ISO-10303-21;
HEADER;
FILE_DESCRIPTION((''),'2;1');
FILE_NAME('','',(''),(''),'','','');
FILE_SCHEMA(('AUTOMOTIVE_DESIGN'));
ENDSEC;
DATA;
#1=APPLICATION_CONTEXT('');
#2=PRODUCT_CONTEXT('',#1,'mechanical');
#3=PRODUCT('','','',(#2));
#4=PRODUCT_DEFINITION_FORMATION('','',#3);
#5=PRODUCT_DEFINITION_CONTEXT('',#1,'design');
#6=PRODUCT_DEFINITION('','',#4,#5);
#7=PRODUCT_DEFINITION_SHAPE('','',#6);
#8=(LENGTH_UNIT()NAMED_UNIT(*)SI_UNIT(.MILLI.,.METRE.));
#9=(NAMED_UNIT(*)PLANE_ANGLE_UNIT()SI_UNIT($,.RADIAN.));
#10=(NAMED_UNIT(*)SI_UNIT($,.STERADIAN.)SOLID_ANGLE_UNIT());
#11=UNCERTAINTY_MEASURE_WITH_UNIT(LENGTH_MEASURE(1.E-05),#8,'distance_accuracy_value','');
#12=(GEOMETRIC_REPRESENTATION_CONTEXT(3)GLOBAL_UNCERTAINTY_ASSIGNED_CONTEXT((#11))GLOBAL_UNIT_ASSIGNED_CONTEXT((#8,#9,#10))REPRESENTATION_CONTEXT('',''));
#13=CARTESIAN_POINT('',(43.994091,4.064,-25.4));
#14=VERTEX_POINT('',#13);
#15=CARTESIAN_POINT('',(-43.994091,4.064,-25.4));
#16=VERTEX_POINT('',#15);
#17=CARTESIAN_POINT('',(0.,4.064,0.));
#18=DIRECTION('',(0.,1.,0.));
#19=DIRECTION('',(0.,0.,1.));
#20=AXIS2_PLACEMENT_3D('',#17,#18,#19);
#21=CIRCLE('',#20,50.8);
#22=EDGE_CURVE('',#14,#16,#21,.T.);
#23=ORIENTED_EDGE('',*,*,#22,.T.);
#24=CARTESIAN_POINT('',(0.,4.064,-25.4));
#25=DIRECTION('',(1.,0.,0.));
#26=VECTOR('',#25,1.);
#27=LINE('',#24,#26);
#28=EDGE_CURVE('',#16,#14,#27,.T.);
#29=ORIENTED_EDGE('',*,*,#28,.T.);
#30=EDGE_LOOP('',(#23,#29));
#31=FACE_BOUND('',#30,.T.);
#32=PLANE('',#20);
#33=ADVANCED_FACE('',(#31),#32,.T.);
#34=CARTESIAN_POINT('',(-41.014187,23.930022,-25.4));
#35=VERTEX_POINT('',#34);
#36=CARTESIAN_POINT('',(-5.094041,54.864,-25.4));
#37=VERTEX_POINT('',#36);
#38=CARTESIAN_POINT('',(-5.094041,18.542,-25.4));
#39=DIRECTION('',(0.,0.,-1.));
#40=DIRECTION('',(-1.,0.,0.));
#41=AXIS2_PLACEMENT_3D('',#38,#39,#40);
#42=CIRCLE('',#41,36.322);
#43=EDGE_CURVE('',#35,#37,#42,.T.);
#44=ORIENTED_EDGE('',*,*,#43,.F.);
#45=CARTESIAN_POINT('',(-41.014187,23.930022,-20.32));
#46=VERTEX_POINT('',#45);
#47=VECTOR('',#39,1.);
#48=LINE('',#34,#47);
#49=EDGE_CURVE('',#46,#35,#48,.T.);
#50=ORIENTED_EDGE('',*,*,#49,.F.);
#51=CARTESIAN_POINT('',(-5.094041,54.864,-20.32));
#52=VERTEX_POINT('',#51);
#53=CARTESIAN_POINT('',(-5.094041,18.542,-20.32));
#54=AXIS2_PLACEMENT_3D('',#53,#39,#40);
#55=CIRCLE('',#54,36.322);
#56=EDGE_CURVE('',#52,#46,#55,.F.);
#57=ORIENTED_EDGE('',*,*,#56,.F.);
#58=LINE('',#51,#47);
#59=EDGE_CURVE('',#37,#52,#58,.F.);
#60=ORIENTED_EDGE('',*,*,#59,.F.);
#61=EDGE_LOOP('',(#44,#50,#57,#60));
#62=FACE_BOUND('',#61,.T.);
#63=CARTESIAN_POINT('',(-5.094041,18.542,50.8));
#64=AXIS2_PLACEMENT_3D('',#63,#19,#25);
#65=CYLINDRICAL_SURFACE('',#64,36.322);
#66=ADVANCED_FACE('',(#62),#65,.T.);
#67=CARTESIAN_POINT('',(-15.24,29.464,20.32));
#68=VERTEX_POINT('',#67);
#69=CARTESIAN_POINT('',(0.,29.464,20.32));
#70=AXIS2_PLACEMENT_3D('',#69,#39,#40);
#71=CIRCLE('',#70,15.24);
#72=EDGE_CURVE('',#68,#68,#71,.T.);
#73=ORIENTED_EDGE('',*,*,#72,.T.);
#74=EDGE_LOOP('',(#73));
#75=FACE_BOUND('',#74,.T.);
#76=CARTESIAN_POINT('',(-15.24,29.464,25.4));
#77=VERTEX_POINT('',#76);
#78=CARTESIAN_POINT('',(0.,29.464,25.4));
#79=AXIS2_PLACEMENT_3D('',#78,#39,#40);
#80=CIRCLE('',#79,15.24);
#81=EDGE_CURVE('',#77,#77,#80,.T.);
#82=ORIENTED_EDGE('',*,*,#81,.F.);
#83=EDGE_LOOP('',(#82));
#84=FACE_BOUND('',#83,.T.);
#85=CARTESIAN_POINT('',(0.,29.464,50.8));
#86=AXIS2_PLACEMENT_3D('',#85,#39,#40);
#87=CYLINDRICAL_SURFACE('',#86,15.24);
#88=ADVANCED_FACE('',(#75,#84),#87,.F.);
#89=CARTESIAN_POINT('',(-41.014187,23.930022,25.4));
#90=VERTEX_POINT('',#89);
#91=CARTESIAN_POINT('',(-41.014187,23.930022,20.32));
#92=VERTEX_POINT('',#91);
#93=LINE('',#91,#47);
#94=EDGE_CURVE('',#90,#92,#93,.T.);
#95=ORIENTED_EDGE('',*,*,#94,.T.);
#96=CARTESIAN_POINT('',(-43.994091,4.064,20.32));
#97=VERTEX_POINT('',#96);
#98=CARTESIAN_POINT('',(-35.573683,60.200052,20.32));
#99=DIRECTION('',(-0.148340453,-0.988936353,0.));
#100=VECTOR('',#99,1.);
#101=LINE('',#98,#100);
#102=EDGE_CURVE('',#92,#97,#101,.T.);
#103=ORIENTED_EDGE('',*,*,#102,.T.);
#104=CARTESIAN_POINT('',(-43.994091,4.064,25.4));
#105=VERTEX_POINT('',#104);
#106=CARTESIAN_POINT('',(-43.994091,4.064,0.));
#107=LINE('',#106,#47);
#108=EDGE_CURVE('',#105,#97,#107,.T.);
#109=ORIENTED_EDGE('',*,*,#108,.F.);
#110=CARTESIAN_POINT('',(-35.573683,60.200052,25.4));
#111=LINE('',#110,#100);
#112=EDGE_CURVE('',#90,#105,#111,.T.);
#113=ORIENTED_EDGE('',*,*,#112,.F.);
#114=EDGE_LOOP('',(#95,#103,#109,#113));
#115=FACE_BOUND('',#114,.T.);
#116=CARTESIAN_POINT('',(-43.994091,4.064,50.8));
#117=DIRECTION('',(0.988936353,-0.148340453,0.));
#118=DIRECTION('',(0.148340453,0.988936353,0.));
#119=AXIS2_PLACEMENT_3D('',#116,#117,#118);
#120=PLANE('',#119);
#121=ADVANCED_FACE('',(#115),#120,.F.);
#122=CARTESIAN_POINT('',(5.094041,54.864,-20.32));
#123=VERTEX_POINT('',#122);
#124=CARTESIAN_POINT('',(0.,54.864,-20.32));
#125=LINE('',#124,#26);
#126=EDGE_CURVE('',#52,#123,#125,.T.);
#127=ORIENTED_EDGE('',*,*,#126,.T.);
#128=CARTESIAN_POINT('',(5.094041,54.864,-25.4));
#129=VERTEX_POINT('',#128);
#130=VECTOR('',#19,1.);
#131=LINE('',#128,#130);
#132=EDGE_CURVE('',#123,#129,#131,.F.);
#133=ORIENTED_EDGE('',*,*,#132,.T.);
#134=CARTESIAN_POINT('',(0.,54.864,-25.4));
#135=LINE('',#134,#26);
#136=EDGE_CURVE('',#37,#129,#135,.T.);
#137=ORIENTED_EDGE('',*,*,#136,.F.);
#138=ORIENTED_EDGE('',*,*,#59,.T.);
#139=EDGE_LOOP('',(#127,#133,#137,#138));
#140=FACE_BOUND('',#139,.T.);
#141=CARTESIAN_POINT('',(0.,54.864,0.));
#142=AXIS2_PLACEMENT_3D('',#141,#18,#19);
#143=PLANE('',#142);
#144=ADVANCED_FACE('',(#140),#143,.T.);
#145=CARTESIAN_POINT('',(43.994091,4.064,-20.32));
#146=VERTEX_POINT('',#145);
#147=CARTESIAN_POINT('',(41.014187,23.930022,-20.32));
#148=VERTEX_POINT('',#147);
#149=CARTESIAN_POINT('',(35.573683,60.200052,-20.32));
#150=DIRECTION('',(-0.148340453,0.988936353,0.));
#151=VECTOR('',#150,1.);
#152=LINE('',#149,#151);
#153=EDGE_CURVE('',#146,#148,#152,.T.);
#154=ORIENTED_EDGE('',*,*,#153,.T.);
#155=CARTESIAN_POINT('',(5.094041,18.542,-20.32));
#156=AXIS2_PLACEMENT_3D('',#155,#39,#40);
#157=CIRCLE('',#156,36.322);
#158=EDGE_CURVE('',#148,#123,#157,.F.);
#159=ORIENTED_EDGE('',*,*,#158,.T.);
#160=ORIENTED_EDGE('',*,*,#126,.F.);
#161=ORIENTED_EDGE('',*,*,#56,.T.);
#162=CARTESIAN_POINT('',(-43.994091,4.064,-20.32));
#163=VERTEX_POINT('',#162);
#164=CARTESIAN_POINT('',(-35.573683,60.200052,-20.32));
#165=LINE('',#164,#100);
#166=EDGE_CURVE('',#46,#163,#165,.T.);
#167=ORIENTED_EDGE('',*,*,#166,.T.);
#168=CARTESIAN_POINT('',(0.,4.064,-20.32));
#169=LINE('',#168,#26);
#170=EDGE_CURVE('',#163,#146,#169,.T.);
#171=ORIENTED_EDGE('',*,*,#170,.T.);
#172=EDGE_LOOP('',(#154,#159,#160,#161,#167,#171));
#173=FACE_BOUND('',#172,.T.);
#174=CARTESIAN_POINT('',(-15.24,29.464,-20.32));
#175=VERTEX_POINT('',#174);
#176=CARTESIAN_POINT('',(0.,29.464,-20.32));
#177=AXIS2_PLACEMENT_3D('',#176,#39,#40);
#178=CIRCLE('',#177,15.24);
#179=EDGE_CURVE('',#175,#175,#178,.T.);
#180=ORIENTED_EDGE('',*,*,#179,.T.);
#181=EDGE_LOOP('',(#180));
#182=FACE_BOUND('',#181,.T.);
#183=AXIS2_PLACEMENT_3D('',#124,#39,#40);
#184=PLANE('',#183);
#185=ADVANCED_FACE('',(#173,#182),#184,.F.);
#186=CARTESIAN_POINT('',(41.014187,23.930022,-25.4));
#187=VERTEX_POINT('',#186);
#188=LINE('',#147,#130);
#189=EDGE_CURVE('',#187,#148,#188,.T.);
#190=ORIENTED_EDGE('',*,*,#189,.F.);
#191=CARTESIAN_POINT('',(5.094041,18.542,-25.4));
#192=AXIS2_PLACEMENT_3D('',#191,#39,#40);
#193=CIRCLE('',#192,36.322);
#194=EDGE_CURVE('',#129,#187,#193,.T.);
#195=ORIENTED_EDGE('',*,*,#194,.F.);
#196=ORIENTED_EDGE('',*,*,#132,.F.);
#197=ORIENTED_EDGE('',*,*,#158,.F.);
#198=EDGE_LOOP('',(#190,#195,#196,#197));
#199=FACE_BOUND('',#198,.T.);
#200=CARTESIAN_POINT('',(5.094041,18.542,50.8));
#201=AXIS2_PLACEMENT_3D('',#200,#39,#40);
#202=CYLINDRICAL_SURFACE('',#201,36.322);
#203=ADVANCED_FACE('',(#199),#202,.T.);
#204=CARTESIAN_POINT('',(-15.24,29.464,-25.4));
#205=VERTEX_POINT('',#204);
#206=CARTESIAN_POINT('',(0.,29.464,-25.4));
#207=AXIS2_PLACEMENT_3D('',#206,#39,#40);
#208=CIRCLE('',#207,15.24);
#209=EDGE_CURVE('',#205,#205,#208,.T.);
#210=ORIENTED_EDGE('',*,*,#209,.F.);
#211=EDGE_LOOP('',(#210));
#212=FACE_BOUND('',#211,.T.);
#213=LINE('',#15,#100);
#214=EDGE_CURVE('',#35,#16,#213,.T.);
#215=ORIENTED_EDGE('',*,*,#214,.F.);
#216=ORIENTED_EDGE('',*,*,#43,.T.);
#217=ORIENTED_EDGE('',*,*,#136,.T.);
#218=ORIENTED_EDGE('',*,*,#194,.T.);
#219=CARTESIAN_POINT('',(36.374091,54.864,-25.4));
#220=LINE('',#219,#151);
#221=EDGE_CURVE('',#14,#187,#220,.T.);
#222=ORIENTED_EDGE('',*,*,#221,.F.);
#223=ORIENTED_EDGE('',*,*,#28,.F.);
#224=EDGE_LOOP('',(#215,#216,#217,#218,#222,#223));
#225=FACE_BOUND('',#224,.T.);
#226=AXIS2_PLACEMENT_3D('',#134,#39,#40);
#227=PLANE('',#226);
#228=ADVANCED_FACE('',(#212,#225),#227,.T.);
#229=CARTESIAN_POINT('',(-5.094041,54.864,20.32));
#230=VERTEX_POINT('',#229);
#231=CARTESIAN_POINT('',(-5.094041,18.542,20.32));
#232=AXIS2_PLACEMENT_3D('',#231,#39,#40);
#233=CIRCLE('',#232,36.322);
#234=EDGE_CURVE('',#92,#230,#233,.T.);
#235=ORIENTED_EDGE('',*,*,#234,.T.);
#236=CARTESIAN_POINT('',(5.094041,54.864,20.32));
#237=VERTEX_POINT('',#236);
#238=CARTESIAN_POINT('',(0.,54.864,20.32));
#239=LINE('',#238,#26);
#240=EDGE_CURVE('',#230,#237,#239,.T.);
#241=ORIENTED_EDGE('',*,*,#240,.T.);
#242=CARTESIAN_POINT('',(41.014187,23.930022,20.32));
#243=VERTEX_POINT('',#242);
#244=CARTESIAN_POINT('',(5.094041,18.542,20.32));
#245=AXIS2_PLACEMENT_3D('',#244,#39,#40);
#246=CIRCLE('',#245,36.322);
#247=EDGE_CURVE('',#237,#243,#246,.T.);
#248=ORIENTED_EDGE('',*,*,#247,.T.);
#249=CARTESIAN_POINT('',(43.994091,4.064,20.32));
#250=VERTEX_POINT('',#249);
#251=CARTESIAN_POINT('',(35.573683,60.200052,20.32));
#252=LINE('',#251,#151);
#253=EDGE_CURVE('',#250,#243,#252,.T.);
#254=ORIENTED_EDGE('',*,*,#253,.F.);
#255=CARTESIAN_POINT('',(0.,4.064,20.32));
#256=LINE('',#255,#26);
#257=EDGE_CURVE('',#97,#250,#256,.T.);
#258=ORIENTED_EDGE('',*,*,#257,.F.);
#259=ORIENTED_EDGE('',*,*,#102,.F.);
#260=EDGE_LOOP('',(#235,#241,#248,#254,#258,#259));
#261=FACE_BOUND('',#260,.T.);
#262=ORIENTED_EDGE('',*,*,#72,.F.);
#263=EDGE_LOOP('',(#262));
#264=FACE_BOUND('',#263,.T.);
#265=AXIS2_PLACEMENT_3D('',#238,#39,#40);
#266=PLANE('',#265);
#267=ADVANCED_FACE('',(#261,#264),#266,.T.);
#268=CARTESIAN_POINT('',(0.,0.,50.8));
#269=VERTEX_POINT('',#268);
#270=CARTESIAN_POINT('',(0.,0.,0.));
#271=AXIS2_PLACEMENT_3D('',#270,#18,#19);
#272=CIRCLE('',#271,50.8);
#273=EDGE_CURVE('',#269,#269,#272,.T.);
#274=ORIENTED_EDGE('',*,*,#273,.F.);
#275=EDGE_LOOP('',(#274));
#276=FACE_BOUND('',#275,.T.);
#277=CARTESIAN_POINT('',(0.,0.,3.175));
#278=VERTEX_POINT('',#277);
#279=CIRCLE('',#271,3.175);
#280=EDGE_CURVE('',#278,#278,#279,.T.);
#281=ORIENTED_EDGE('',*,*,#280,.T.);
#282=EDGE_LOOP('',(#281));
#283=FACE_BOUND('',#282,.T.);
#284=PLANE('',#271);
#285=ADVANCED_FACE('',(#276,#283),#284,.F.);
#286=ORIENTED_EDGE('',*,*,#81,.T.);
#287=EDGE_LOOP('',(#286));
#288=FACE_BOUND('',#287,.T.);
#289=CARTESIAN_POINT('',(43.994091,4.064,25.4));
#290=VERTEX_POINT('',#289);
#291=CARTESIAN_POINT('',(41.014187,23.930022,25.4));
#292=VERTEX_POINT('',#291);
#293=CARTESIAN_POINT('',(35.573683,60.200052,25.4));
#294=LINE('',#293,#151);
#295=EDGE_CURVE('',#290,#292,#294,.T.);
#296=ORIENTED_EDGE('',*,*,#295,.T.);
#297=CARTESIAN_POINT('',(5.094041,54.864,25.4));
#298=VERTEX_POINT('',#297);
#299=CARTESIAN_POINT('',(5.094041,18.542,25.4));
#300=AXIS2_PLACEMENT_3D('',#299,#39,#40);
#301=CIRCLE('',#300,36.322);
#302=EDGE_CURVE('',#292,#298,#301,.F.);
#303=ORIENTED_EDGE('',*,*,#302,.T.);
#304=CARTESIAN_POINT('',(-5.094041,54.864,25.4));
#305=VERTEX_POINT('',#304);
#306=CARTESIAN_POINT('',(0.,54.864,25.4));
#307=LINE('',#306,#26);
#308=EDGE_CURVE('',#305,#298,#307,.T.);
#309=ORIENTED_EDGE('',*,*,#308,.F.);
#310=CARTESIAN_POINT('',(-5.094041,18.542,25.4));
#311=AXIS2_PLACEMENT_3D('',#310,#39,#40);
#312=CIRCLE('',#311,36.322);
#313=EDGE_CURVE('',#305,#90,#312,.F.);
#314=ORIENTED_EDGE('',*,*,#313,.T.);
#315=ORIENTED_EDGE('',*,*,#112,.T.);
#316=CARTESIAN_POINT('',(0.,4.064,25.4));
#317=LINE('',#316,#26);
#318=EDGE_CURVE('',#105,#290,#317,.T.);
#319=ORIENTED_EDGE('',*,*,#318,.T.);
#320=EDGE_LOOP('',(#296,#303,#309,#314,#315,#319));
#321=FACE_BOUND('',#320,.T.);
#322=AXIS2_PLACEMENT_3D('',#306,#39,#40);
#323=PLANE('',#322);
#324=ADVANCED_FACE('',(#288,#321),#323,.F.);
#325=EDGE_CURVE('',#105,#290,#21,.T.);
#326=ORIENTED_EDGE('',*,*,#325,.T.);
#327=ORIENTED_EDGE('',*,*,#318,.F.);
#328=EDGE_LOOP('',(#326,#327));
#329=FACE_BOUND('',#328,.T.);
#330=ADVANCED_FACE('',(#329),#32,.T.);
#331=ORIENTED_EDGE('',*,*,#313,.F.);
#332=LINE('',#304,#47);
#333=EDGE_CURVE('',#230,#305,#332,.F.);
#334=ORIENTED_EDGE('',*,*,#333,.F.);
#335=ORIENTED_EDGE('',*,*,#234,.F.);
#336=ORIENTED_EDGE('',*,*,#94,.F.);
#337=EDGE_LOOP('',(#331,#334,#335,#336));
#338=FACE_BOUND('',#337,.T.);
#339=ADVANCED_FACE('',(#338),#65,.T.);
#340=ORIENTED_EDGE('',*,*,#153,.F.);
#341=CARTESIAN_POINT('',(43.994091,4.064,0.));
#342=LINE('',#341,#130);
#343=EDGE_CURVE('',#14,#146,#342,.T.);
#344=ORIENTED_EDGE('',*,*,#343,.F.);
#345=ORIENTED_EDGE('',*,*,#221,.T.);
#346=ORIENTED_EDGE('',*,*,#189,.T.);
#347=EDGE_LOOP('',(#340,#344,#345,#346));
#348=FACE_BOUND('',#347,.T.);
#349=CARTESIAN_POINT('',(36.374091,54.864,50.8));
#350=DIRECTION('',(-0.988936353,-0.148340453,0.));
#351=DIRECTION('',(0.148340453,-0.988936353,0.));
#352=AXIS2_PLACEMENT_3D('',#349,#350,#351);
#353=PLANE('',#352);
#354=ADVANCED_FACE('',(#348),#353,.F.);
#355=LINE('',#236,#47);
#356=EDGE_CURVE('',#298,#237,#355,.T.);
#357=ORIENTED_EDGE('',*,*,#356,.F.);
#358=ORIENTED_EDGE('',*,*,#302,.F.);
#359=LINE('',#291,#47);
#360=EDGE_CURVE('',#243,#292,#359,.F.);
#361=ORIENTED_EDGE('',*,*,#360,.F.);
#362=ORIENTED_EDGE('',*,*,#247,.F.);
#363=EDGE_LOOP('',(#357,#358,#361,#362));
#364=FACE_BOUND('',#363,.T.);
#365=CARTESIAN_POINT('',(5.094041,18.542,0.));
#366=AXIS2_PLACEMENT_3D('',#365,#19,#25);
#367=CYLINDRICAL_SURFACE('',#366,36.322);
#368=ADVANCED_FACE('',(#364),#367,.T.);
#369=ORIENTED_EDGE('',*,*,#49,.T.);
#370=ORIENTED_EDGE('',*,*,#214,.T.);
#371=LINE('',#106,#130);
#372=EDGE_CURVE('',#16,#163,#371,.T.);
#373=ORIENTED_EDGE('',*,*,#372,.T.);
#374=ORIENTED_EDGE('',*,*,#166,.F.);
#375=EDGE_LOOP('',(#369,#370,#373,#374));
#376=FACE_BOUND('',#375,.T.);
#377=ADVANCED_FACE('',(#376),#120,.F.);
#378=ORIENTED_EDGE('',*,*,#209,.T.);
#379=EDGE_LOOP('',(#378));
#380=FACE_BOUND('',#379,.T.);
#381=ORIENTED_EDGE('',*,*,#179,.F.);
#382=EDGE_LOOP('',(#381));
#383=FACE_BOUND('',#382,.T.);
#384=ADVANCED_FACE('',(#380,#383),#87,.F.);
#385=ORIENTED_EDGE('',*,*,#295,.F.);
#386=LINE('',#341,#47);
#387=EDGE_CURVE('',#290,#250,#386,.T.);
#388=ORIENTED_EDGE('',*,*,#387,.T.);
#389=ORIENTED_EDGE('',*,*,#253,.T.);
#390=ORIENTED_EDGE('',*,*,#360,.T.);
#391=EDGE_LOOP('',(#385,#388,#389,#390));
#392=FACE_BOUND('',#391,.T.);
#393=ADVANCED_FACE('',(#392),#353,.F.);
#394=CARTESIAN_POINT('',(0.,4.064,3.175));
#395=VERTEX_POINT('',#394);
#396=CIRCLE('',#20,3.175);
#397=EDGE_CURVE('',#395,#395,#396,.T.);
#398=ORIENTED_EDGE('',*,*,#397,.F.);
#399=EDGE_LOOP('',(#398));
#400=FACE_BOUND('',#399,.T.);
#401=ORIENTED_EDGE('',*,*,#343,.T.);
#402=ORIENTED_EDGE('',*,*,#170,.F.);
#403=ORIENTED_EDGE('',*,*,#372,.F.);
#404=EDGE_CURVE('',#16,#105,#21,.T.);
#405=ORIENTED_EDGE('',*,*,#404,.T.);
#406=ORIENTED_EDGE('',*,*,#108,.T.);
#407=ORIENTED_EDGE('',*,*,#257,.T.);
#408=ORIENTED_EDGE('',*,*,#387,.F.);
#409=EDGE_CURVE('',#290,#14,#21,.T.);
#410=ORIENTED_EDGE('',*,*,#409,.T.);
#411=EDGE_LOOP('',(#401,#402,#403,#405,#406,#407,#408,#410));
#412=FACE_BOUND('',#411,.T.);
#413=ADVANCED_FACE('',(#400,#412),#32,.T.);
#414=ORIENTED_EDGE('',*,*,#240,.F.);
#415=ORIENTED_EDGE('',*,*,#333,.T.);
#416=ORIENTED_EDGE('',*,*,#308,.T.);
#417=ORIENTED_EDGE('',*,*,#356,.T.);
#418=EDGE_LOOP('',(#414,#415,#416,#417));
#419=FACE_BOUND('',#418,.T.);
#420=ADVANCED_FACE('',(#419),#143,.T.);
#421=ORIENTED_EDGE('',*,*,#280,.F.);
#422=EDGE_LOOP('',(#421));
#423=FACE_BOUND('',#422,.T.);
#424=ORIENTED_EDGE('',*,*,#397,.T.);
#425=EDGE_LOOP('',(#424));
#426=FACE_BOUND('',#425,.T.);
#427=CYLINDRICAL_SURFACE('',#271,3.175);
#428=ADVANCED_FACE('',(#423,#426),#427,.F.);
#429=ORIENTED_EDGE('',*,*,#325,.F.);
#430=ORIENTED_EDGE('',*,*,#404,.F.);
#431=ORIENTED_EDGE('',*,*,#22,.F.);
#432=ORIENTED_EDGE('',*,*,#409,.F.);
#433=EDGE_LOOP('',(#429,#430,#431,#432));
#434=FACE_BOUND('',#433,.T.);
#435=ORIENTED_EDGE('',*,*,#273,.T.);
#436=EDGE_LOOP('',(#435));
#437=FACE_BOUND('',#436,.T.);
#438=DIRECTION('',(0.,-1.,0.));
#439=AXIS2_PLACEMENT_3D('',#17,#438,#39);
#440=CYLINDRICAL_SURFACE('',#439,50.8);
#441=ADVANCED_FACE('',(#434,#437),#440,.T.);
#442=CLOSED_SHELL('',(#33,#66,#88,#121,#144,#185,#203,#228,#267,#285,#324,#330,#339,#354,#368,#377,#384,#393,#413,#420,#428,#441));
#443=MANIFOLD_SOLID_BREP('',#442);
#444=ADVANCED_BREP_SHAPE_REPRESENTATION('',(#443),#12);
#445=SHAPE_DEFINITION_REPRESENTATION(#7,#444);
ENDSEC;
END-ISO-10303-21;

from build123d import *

# Parameters (mm, degrees)
SKETCH2_R           = 50.8
BOSS_EXTRUDE1_DEPTH = 4.064
SKETCH3_W           = 87.988181024
SKETCH3_H           = 5.08
BOSS_EXTRUDE2_DEPTH = 50.8
CUT_EXTRUDE2_DEPTH  = 77.2
FILLET1_R           = 36.322
SKETCH6_R           = 15.24
CUT_EXTRUDE3_DEPTH  = 77.2
SKETCH7_R           = 3.175
CUT_EXTRUDE4_DEPTH  = 5.064


with BuildPart() as part:
    # Sketch2 → Boss-Extrude1 (new body)
    with BuildSketch(Plane(origin=(0, 0, 0), x_dir=(1, 0, 0), z_dir=(0, 1, 0))):
        Circle(SKETCH2_R)
    extrude(amount=BOSS_EXTRUDE1_DEPTH)

    # Sketch3 → Boss-Extrude2 (add)
    with BuildSketch(Plane(origin=(0, 4.064, 0), x_dir=(1, 0, 0), z_dir=(0, 1, 0))):
        with Locations((0, -22.86)):
            Rectangle(SKETCH3_W, SKETCH3_H)
        with Locations((0, 22.86)):
            Rectangle(SKETCH3_W, SKETCH3_H)
    extrude(amount=BOSS_EXTRUDE2_DEPTH)

    # Sketch5 → Cut-Extrude2 (cut, through all)
    with BuildSketch(Plane(origin=(0, 0, -25.4), x_dir=(-1, 0, 0), z_dir=(0, 0, -1))):
        Polygon((-43.994090512, 4.064), (-43.994090512, 54.864), (-36.374090512, 54.864), align=None)
        Polygon((43.994090512, 4.064), (36.374090512, 54.864), (43.994090512, 54.864), align=None)
    extrude(amount=-CUT_EXTRUDE2_DEPTH, mode=Mode.SUBTRACT)

    # Fillet1
    fillet1_edges = [part.edges().sort_by_distance(p)[0] for p in [
        (36.374090512, 54.864, -22.86),
        (36.374090512, 54.864, 22.86),
        (-36.374090512, 54.864, -22.86),
        (-36.374090512, 54.864, 22.86),
    ]]
    fillet(fillet1_edges, radius=FILLET1_R)

    # Sketch6 → Cut-Extrude3 (cut, through all)
    with BuildSketch(Plane(origin=(0, 0, -25.4), x_dir=(-1, 0, 0), z_dir=(0, 0, -1))):
        with Locations((0, 29.464)):
            Circle(SKETCH6_R)
    extrude(amount=-CUT_EXTRUDE3_DEPTH, mode=Mode.SUBTRACT)

    # Sketch7 → Cut-Extrude4 (cut, through all)
    with BuildSketch(Plane(origin=(0, 4.064, 0), x_dir=(1, 0, 0), z_dir=(0, 1, 0))):
        Circle(SKETCH7_R)
    extrude(amount=-CUT_EXTRUDE4_DEPTH, mode=Mode.SUBTRACT)


solid = part.part
